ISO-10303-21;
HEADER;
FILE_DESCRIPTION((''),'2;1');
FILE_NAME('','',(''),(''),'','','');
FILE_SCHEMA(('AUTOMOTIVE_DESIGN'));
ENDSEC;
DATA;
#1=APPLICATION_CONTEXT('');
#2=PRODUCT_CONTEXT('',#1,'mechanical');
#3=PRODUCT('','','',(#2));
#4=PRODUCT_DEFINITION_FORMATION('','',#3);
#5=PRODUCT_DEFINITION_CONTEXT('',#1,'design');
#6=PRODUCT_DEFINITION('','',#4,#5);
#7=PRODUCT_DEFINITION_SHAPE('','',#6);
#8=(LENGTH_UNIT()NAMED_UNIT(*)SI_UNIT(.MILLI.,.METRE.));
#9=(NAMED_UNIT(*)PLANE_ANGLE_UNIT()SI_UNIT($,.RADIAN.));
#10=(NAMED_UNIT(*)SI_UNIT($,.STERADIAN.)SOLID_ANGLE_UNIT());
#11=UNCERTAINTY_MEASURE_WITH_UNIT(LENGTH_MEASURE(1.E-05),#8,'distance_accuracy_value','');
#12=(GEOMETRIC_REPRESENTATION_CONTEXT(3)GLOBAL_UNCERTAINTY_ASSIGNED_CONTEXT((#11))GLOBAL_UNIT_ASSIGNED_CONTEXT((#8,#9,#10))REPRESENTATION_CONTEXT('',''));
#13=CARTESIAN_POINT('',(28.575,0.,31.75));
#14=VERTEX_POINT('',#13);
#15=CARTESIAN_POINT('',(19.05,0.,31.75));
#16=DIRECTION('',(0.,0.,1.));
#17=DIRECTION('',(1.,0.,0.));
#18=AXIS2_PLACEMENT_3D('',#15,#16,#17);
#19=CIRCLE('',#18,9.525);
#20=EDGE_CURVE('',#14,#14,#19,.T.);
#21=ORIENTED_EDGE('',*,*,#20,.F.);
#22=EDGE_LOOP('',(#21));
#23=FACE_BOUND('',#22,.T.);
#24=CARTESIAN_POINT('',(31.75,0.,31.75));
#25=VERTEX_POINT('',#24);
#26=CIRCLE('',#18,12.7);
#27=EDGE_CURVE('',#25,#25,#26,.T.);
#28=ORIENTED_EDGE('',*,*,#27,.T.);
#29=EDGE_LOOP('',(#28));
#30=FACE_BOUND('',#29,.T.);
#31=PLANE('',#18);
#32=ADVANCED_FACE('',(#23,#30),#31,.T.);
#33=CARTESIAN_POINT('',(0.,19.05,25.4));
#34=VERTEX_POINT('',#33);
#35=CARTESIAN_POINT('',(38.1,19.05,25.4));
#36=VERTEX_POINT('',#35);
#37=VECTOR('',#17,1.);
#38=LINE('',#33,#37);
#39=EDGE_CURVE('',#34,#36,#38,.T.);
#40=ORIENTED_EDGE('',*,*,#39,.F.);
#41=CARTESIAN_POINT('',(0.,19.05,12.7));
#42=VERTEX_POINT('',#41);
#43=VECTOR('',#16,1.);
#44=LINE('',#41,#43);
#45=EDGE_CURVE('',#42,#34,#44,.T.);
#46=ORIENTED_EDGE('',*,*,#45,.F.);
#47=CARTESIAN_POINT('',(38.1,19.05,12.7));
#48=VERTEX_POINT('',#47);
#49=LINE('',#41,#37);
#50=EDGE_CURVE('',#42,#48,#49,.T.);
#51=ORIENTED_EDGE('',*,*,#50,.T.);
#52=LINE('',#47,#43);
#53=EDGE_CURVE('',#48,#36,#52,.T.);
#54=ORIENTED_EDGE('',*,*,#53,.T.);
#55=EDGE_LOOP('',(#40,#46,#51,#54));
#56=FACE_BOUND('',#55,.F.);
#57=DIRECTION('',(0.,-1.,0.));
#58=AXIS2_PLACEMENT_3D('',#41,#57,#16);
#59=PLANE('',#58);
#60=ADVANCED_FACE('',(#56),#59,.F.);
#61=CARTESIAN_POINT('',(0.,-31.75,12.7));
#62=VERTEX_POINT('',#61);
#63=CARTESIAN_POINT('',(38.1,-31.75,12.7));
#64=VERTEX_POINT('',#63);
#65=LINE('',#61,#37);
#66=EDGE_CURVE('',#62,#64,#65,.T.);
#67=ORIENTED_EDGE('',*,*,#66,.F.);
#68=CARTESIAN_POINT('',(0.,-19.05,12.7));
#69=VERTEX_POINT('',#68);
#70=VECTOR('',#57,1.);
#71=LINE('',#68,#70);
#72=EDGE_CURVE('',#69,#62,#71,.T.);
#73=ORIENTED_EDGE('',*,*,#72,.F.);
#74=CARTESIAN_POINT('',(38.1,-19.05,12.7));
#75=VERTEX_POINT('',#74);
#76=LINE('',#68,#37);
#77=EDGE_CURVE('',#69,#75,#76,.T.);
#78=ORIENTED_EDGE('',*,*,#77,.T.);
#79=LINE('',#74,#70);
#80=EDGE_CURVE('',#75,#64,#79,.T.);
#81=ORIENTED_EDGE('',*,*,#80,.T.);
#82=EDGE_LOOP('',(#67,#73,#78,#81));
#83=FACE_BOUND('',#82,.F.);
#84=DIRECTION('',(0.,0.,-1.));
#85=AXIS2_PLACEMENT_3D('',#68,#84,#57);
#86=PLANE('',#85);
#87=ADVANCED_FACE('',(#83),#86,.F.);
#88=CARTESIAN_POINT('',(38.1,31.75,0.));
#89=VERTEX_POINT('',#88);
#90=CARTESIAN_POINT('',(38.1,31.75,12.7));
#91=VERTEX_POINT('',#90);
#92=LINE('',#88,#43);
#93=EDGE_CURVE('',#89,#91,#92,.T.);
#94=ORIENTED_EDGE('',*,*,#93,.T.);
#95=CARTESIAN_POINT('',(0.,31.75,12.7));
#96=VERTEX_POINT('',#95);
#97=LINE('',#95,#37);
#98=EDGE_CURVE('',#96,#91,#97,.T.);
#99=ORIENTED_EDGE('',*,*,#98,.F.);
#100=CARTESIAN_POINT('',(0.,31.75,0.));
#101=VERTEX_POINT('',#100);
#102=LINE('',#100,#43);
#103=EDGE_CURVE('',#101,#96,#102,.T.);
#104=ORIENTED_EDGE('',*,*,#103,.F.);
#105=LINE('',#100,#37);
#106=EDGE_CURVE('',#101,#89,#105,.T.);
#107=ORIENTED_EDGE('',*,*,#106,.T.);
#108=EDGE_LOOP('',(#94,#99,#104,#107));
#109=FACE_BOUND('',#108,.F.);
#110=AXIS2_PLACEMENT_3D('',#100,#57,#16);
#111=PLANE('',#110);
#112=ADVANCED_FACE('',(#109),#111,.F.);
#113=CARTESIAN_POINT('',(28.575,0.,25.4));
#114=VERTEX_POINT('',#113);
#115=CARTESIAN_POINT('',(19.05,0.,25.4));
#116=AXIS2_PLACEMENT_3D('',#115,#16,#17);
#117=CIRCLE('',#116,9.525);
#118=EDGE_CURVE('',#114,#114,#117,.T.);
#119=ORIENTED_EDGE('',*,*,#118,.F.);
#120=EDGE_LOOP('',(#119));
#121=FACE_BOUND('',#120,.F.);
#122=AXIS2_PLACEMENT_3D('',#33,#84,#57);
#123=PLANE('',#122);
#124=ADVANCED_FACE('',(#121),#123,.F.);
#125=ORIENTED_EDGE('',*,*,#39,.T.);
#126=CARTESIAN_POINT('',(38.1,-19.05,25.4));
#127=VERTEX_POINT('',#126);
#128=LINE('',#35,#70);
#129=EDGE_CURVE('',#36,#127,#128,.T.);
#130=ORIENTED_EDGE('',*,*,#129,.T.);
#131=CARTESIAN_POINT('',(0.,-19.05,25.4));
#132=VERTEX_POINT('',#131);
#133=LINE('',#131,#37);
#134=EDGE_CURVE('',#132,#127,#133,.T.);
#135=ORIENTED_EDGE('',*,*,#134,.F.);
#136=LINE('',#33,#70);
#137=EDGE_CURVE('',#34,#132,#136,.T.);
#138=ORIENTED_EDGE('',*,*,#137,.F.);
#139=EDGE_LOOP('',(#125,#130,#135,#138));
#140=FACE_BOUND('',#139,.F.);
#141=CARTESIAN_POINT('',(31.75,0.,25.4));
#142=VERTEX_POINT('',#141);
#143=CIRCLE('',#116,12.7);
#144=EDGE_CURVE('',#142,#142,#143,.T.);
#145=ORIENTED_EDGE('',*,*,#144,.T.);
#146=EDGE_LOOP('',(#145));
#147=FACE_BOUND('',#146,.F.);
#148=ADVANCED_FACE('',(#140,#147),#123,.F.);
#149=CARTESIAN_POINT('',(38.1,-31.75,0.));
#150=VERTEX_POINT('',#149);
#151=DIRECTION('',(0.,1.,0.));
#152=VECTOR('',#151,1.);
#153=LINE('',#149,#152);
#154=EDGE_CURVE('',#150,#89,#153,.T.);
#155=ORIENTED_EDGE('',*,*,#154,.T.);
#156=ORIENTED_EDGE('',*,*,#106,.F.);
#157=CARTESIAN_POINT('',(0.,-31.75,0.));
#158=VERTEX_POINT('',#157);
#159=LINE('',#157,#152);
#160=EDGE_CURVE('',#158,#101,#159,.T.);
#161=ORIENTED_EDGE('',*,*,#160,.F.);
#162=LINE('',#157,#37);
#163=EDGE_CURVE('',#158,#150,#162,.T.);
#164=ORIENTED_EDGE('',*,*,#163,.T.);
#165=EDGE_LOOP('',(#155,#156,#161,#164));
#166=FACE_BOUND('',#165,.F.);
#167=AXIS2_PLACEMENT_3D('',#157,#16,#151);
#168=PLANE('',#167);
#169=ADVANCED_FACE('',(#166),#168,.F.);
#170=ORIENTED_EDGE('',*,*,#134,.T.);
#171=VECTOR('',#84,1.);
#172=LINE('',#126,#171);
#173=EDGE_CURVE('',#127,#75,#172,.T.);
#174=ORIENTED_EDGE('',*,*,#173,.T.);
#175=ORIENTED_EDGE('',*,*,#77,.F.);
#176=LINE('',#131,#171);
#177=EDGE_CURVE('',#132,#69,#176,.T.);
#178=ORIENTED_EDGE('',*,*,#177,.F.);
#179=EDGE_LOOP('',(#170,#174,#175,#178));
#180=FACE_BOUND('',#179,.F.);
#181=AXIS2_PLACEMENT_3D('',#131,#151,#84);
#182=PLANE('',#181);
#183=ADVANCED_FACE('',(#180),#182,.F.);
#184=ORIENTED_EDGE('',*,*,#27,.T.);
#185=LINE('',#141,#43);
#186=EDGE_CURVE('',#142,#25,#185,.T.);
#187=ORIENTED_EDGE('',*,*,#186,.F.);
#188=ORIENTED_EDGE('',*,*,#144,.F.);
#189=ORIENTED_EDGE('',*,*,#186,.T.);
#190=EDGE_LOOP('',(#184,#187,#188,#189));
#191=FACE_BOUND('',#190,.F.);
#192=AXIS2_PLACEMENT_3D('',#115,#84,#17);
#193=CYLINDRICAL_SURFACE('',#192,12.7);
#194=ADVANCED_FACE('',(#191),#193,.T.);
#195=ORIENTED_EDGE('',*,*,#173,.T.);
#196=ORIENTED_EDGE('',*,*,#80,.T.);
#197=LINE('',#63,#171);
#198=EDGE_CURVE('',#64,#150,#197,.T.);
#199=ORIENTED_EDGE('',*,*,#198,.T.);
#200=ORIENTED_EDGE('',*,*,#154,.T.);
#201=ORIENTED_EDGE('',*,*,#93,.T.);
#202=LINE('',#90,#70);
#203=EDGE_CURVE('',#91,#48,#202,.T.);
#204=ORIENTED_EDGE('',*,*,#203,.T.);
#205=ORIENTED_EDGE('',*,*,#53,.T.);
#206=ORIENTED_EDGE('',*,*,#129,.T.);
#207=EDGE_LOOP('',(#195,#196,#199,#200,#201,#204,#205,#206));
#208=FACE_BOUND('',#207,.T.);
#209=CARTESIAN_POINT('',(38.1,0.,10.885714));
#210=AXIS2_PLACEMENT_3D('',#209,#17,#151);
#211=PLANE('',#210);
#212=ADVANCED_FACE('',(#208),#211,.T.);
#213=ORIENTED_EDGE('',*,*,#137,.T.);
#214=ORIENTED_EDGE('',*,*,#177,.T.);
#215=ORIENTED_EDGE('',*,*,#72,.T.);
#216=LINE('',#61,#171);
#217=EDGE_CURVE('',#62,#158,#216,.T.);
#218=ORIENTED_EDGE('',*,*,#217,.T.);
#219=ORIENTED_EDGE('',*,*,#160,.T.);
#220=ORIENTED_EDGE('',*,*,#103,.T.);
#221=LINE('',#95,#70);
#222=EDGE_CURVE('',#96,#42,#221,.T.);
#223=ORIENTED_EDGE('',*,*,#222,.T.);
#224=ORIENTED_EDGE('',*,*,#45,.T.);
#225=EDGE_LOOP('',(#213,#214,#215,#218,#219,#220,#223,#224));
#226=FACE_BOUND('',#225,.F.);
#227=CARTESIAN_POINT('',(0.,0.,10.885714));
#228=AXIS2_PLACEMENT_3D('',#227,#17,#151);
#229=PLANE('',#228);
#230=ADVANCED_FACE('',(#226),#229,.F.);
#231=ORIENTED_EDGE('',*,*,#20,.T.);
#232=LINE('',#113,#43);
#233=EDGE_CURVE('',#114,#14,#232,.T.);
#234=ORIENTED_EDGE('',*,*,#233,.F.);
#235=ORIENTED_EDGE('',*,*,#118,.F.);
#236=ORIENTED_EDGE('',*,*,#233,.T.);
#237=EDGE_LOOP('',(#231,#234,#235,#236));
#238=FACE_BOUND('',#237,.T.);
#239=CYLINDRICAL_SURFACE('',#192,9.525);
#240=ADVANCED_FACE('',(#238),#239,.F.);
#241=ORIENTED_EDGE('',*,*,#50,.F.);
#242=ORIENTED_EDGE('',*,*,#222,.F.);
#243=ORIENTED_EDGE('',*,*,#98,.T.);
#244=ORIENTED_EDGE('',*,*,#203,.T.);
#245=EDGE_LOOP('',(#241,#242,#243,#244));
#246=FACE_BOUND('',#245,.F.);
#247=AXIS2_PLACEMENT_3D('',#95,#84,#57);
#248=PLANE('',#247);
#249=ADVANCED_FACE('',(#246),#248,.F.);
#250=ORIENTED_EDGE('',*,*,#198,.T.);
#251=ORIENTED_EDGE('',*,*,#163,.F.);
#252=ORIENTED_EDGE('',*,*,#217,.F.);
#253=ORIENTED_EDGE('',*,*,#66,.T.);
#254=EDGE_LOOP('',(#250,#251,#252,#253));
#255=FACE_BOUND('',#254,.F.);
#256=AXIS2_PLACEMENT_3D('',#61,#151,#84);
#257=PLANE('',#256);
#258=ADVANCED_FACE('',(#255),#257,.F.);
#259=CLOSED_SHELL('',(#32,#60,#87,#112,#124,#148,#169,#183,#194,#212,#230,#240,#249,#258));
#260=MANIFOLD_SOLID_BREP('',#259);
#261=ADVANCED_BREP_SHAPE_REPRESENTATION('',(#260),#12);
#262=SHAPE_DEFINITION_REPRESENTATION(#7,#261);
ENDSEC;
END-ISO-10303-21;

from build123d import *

# Parameters (mm, degrees)
F1_DEPTH = 38.1
F2_R     = 12.7
F2_R_2   = 9.525
F3_DEPTH = 6.35


with BuildPart() as f1:
    # F0 (on Right) → F1 (new body)
    with BuildSketch(Plane.YZ):
        Polygon((-31.75, 0), (0, 0), (31.75, 0), (31.75, 12.7), (19.05, 12.7), (19.05, 25.4), (-19.05, 25.4), (-19.05, 12.7), (-31.75, 12.7), align=None)
    extrude(amount=F1_DEPTH)

    # F2 (on face) → F3 (join)
    with BuildSketch(Plane.XY.offset(25.4)):
        with Locations((19.05, 0)):
            Circle(F2_R)
        with Locations((19.05, 0)):
            Circle(F2_R_2, mode=Mode.SUBTRACT)
    extrude(amount=F3_DEPTH)


solid = f1.part
